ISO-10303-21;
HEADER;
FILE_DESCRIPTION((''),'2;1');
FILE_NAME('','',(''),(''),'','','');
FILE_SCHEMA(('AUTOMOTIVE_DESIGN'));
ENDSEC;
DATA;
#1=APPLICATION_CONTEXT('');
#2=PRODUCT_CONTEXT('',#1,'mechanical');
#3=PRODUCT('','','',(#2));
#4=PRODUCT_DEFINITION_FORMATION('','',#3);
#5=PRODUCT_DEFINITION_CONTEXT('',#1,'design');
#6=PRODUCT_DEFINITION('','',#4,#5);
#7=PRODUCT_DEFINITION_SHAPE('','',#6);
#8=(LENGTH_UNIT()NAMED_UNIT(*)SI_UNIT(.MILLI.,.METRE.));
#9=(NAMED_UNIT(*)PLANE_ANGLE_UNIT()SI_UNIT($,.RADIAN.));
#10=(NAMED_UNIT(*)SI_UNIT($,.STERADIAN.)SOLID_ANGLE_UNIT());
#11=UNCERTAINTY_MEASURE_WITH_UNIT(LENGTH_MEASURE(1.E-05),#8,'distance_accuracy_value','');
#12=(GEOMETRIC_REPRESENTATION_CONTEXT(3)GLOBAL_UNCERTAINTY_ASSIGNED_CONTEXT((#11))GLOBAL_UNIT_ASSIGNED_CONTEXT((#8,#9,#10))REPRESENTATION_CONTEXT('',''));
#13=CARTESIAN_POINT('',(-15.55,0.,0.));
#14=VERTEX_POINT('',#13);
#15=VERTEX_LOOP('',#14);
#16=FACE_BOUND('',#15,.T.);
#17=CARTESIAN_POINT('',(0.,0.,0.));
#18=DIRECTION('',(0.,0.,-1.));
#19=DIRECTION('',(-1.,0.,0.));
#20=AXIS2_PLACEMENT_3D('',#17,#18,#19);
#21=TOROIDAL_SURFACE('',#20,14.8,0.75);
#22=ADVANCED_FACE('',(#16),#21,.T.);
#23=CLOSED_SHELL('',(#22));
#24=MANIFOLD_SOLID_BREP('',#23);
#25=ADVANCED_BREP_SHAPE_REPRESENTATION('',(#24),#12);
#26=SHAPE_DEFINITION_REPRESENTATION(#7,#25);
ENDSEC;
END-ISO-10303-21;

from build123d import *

# Parameters (mm, degrees)
SKETCH2_R = 0.75


with BuildPart() as part:
    # Sketch2 → Revolve1 (revolve)
    with BuildSketch(Plane(origin=(0, 0, 0), x_dir=(1, 0, 0), z_dir=(0, 1, 0))):
        with Locations((14.8, 0)):
            Circle(SKETCH2_R)
    revolve(axis=Axis((0, 0, -0.75), (0, 0, 1)))


solid = part.part
